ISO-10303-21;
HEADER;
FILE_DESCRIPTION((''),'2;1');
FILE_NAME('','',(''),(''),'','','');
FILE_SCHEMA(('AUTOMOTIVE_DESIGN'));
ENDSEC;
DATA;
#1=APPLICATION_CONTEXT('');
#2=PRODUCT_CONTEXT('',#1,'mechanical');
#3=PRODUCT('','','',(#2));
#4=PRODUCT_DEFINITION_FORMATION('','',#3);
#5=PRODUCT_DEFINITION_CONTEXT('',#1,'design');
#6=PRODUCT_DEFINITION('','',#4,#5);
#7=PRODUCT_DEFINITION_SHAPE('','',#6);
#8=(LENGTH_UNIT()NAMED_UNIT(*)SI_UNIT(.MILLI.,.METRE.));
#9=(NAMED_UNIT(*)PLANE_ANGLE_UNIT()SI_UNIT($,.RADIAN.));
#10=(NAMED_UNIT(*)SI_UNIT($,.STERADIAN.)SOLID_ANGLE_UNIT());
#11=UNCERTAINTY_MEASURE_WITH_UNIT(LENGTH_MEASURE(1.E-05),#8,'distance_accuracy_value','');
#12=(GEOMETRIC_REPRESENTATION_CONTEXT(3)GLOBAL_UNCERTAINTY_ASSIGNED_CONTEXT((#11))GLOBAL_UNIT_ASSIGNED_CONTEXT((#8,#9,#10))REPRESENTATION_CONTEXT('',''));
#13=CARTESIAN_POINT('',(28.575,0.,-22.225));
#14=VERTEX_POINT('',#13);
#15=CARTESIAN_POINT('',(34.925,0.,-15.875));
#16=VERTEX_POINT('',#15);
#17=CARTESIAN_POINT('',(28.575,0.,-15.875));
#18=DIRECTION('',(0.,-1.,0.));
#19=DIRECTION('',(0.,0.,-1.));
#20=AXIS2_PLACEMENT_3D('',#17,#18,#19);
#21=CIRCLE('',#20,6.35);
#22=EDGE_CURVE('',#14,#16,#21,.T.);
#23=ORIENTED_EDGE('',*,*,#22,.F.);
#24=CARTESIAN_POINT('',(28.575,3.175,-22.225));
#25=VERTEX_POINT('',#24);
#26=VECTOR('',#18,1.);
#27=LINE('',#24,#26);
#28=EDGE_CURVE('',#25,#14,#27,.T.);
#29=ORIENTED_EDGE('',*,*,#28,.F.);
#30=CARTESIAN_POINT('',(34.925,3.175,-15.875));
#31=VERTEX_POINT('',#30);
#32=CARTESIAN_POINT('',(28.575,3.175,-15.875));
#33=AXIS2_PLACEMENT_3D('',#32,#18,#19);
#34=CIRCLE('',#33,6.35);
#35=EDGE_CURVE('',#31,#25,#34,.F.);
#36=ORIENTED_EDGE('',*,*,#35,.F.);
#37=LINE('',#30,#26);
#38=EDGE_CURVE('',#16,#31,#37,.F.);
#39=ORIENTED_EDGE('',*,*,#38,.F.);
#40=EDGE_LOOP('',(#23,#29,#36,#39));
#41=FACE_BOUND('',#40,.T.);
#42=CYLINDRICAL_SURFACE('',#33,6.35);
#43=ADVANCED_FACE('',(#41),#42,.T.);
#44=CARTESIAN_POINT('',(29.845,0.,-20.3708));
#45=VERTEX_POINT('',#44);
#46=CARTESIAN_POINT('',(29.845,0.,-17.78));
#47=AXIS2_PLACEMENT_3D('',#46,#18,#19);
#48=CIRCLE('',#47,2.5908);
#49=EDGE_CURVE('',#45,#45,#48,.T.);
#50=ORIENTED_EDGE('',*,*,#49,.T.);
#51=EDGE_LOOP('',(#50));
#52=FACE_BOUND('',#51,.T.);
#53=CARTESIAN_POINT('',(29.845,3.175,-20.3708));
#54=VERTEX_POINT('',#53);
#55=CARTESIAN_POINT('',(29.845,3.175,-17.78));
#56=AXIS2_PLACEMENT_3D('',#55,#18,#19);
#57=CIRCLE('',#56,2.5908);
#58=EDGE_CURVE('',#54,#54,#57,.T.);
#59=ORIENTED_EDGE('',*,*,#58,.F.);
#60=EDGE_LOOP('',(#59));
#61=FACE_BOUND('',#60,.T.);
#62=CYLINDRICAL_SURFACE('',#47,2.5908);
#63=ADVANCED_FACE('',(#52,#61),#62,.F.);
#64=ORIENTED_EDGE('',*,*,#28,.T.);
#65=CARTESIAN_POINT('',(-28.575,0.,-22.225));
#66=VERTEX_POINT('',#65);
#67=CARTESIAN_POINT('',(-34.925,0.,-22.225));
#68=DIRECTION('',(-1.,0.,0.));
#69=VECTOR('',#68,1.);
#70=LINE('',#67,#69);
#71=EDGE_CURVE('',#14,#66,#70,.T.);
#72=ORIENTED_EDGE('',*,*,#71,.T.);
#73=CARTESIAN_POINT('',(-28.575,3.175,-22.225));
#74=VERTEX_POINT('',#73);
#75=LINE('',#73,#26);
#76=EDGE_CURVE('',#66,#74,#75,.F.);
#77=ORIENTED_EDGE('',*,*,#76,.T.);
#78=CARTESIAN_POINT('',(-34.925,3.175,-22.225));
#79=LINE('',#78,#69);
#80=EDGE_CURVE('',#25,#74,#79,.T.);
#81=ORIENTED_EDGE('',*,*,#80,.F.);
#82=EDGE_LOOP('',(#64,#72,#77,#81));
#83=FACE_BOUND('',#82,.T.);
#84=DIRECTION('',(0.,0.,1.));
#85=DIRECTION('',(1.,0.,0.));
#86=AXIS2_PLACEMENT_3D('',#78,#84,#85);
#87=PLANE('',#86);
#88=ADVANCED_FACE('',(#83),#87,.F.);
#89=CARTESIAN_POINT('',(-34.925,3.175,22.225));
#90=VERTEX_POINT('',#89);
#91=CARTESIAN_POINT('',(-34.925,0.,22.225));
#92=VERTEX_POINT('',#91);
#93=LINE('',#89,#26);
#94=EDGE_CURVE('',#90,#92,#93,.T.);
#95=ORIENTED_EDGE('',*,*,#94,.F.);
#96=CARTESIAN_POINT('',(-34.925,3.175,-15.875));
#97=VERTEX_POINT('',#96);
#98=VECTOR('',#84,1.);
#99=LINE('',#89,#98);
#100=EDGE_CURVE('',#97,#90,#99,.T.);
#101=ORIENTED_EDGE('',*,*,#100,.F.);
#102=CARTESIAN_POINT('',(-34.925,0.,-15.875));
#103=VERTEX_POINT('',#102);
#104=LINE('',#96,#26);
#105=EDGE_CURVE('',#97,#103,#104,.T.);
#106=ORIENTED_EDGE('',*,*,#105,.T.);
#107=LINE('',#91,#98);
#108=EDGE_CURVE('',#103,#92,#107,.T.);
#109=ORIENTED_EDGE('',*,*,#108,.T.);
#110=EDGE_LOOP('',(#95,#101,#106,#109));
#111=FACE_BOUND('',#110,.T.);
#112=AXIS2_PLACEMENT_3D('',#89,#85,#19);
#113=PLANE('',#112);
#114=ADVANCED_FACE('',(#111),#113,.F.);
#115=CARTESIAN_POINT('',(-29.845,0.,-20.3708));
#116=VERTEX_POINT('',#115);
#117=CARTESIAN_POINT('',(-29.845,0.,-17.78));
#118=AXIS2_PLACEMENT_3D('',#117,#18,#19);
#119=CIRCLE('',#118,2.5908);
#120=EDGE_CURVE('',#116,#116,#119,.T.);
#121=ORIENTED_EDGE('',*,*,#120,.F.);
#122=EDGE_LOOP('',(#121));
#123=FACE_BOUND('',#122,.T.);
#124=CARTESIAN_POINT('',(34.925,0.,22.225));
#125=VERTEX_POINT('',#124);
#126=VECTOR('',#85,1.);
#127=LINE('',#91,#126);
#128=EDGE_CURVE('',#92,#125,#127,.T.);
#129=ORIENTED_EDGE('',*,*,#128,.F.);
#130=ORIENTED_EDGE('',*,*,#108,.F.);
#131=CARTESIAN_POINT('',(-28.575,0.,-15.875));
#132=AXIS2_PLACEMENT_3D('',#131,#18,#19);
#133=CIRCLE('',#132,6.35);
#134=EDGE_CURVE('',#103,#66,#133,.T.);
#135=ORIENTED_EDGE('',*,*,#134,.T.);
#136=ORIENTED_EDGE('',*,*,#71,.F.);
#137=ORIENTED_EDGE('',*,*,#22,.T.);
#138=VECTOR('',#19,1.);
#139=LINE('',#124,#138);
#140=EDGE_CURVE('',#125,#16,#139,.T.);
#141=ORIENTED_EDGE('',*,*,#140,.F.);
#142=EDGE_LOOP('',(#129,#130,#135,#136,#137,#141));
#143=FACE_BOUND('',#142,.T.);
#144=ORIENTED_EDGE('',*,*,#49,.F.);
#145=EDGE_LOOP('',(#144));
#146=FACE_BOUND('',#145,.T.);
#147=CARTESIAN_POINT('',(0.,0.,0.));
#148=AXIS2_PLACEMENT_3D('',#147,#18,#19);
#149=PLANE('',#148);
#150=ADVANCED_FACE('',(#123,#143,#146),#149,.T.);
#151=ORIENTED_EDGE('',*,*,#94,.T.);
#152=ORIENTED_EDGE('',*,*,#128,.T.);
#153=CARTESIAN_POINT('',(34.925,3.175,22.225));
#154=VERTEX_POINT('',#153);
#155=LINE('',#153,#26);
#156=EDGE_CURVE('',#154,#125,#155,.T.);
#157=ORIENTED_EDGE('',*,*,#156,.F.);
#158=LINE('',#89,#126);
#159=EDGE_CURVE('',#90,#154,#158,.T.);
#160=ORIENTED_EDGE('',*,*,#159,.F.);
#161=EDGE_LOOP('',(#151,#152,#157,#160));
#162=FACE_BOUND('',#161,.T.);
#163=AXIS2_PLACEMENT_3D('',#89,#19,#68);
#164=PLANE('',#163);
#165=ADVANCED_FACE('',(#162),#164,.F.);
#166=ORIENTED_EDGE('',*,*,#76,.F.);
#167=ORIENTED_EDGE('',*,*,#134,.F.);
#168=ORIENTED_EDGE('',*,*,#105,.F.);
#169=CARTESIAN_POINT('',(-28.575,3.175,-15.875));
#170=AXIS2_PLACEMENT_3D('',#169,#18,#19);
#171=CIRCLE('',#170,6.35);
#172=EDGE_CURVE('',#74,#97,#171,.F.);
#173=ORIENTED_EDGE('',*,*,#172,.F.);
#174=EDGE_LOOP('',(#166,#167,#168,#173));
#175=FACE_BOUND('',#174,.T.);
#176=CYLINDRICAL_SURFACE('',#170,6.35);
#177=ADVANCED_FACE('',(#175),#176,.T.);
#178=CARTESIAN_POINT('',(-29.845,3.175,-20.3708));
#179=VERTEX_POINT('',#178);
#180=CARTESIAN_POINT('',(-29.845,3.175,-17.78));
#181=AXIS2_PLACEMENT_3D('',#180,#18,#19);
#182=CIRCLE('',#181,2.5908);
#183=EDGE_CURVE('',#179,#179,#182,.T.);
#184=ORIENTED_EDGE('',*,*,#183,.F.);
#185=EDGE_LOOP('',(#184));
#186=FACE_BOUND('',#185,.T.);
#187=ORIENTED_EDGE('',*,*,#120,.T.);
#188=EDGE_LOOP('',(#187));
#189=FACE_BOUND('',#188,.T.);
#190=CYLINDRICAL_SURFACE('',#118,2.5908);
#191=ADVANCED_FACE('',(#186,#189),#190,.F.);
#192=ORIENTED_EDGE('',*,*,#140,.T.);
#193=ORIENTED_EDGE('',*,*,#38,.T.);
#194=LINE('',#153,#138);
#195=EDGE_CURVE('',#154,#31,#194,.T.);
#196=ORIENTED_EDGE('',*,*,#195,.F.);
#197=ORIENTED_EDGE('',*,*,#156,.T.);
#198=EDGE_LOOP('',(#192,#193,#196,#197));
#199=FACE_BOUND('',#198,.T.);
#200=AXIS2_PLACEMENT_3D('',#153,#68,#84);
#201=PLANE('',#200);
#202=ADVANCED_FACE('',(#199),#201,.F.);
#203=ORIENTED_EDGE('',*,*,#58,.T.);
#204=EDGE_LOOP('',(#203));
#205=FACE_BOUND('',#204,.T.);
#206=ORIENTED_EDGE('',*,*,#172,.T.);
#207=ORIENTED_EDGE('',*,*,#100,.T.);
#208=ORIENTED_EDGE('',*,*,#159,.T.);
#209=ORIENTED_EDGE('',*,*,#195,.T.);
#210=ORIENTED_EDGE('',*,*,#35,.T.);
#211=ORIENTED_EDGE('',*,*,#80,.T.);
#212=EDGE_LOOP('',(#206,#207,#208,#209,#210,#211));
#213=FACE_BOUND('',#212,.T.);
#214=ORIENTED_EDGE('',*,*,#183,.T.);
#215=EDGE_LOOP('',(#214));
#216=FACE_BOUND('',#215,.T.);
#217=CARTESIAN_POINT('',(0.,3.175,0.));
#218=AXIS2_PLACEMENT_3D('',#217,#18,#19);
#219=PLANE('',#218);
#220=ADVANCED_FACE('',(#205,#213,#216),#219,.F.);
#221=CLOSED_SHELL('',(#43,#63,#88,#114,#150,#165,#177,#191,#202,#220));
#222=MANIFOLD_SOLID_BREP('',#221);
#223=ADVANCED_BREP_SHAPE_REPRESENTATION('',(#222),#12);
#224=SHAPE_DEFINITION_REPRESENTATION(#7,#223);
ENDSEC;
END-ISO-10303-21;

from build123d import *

# Parameters (mm, degrees)
SKETCH1_W                      = 69.85
SKETCH1_H                      = 44.45
BOSS_EXTRUDE1_DEPTH            = 3.175
FILLET1_R                      = 6.35
F_6_0_204_DIAMETER_HOLE1_D     = 5.1816
F_6_0_204_DIAMETER_HOLE1_DEPTH = 38.1
F_6_0_204_DIAMETER_HOLE1_TIP   = 1.556709692


with BuildPart() as part:
    # Sketch1 → Boss-Extrude1 (new body)
    with BuildSketch(Plane(origin=(0, 0, 0), x_dir=(1, 0, 0), z_dir=(0, 1, 0))):
        Rectangle(SKETCH1_W, SKETCH1_H)
    extrude(amount=BOSS_EXTRUDE1_DEPTH)

    # Fillet1
    fillet1_edges = [part.edges().sort_by_distance(p)[0] for p in [
        (-34.925, 1.5875, -22.225),
        (34.925, 1.5875, -22.225),
    ]]
    fillet(fillet1_edges, radius=FILLET1_R)

    # #6 (0.204) Diameter Hole1
    with Locations(Plane(origin=(0, 0, 0), x_dir=(-1, 0, 0), z_dir=(0, -1, 0))):
        with Locations((-29.845, 17.78), (29.845, 17.78)):
            Hole(F_6_0_204_DIAMETER_HOLE1_D / 2, depth=F_6_0_204_DIAMETER_HOLE1_DEPTH)
            with Locations((0, 0, -(F_6_0_204_DIAMETER_HOLE1_DEPTH + F_6_0_204_DIAMETER_HOLE1_TIP / 2))):  # 118° drill point
                Cone(0, F_6_0_204_DIAMETER_HOLE1_D / 2, F_6_0_204_DIAMETER_HOLE1_TIP, mode=Mode.SUBTRACT)


solid = part.part
